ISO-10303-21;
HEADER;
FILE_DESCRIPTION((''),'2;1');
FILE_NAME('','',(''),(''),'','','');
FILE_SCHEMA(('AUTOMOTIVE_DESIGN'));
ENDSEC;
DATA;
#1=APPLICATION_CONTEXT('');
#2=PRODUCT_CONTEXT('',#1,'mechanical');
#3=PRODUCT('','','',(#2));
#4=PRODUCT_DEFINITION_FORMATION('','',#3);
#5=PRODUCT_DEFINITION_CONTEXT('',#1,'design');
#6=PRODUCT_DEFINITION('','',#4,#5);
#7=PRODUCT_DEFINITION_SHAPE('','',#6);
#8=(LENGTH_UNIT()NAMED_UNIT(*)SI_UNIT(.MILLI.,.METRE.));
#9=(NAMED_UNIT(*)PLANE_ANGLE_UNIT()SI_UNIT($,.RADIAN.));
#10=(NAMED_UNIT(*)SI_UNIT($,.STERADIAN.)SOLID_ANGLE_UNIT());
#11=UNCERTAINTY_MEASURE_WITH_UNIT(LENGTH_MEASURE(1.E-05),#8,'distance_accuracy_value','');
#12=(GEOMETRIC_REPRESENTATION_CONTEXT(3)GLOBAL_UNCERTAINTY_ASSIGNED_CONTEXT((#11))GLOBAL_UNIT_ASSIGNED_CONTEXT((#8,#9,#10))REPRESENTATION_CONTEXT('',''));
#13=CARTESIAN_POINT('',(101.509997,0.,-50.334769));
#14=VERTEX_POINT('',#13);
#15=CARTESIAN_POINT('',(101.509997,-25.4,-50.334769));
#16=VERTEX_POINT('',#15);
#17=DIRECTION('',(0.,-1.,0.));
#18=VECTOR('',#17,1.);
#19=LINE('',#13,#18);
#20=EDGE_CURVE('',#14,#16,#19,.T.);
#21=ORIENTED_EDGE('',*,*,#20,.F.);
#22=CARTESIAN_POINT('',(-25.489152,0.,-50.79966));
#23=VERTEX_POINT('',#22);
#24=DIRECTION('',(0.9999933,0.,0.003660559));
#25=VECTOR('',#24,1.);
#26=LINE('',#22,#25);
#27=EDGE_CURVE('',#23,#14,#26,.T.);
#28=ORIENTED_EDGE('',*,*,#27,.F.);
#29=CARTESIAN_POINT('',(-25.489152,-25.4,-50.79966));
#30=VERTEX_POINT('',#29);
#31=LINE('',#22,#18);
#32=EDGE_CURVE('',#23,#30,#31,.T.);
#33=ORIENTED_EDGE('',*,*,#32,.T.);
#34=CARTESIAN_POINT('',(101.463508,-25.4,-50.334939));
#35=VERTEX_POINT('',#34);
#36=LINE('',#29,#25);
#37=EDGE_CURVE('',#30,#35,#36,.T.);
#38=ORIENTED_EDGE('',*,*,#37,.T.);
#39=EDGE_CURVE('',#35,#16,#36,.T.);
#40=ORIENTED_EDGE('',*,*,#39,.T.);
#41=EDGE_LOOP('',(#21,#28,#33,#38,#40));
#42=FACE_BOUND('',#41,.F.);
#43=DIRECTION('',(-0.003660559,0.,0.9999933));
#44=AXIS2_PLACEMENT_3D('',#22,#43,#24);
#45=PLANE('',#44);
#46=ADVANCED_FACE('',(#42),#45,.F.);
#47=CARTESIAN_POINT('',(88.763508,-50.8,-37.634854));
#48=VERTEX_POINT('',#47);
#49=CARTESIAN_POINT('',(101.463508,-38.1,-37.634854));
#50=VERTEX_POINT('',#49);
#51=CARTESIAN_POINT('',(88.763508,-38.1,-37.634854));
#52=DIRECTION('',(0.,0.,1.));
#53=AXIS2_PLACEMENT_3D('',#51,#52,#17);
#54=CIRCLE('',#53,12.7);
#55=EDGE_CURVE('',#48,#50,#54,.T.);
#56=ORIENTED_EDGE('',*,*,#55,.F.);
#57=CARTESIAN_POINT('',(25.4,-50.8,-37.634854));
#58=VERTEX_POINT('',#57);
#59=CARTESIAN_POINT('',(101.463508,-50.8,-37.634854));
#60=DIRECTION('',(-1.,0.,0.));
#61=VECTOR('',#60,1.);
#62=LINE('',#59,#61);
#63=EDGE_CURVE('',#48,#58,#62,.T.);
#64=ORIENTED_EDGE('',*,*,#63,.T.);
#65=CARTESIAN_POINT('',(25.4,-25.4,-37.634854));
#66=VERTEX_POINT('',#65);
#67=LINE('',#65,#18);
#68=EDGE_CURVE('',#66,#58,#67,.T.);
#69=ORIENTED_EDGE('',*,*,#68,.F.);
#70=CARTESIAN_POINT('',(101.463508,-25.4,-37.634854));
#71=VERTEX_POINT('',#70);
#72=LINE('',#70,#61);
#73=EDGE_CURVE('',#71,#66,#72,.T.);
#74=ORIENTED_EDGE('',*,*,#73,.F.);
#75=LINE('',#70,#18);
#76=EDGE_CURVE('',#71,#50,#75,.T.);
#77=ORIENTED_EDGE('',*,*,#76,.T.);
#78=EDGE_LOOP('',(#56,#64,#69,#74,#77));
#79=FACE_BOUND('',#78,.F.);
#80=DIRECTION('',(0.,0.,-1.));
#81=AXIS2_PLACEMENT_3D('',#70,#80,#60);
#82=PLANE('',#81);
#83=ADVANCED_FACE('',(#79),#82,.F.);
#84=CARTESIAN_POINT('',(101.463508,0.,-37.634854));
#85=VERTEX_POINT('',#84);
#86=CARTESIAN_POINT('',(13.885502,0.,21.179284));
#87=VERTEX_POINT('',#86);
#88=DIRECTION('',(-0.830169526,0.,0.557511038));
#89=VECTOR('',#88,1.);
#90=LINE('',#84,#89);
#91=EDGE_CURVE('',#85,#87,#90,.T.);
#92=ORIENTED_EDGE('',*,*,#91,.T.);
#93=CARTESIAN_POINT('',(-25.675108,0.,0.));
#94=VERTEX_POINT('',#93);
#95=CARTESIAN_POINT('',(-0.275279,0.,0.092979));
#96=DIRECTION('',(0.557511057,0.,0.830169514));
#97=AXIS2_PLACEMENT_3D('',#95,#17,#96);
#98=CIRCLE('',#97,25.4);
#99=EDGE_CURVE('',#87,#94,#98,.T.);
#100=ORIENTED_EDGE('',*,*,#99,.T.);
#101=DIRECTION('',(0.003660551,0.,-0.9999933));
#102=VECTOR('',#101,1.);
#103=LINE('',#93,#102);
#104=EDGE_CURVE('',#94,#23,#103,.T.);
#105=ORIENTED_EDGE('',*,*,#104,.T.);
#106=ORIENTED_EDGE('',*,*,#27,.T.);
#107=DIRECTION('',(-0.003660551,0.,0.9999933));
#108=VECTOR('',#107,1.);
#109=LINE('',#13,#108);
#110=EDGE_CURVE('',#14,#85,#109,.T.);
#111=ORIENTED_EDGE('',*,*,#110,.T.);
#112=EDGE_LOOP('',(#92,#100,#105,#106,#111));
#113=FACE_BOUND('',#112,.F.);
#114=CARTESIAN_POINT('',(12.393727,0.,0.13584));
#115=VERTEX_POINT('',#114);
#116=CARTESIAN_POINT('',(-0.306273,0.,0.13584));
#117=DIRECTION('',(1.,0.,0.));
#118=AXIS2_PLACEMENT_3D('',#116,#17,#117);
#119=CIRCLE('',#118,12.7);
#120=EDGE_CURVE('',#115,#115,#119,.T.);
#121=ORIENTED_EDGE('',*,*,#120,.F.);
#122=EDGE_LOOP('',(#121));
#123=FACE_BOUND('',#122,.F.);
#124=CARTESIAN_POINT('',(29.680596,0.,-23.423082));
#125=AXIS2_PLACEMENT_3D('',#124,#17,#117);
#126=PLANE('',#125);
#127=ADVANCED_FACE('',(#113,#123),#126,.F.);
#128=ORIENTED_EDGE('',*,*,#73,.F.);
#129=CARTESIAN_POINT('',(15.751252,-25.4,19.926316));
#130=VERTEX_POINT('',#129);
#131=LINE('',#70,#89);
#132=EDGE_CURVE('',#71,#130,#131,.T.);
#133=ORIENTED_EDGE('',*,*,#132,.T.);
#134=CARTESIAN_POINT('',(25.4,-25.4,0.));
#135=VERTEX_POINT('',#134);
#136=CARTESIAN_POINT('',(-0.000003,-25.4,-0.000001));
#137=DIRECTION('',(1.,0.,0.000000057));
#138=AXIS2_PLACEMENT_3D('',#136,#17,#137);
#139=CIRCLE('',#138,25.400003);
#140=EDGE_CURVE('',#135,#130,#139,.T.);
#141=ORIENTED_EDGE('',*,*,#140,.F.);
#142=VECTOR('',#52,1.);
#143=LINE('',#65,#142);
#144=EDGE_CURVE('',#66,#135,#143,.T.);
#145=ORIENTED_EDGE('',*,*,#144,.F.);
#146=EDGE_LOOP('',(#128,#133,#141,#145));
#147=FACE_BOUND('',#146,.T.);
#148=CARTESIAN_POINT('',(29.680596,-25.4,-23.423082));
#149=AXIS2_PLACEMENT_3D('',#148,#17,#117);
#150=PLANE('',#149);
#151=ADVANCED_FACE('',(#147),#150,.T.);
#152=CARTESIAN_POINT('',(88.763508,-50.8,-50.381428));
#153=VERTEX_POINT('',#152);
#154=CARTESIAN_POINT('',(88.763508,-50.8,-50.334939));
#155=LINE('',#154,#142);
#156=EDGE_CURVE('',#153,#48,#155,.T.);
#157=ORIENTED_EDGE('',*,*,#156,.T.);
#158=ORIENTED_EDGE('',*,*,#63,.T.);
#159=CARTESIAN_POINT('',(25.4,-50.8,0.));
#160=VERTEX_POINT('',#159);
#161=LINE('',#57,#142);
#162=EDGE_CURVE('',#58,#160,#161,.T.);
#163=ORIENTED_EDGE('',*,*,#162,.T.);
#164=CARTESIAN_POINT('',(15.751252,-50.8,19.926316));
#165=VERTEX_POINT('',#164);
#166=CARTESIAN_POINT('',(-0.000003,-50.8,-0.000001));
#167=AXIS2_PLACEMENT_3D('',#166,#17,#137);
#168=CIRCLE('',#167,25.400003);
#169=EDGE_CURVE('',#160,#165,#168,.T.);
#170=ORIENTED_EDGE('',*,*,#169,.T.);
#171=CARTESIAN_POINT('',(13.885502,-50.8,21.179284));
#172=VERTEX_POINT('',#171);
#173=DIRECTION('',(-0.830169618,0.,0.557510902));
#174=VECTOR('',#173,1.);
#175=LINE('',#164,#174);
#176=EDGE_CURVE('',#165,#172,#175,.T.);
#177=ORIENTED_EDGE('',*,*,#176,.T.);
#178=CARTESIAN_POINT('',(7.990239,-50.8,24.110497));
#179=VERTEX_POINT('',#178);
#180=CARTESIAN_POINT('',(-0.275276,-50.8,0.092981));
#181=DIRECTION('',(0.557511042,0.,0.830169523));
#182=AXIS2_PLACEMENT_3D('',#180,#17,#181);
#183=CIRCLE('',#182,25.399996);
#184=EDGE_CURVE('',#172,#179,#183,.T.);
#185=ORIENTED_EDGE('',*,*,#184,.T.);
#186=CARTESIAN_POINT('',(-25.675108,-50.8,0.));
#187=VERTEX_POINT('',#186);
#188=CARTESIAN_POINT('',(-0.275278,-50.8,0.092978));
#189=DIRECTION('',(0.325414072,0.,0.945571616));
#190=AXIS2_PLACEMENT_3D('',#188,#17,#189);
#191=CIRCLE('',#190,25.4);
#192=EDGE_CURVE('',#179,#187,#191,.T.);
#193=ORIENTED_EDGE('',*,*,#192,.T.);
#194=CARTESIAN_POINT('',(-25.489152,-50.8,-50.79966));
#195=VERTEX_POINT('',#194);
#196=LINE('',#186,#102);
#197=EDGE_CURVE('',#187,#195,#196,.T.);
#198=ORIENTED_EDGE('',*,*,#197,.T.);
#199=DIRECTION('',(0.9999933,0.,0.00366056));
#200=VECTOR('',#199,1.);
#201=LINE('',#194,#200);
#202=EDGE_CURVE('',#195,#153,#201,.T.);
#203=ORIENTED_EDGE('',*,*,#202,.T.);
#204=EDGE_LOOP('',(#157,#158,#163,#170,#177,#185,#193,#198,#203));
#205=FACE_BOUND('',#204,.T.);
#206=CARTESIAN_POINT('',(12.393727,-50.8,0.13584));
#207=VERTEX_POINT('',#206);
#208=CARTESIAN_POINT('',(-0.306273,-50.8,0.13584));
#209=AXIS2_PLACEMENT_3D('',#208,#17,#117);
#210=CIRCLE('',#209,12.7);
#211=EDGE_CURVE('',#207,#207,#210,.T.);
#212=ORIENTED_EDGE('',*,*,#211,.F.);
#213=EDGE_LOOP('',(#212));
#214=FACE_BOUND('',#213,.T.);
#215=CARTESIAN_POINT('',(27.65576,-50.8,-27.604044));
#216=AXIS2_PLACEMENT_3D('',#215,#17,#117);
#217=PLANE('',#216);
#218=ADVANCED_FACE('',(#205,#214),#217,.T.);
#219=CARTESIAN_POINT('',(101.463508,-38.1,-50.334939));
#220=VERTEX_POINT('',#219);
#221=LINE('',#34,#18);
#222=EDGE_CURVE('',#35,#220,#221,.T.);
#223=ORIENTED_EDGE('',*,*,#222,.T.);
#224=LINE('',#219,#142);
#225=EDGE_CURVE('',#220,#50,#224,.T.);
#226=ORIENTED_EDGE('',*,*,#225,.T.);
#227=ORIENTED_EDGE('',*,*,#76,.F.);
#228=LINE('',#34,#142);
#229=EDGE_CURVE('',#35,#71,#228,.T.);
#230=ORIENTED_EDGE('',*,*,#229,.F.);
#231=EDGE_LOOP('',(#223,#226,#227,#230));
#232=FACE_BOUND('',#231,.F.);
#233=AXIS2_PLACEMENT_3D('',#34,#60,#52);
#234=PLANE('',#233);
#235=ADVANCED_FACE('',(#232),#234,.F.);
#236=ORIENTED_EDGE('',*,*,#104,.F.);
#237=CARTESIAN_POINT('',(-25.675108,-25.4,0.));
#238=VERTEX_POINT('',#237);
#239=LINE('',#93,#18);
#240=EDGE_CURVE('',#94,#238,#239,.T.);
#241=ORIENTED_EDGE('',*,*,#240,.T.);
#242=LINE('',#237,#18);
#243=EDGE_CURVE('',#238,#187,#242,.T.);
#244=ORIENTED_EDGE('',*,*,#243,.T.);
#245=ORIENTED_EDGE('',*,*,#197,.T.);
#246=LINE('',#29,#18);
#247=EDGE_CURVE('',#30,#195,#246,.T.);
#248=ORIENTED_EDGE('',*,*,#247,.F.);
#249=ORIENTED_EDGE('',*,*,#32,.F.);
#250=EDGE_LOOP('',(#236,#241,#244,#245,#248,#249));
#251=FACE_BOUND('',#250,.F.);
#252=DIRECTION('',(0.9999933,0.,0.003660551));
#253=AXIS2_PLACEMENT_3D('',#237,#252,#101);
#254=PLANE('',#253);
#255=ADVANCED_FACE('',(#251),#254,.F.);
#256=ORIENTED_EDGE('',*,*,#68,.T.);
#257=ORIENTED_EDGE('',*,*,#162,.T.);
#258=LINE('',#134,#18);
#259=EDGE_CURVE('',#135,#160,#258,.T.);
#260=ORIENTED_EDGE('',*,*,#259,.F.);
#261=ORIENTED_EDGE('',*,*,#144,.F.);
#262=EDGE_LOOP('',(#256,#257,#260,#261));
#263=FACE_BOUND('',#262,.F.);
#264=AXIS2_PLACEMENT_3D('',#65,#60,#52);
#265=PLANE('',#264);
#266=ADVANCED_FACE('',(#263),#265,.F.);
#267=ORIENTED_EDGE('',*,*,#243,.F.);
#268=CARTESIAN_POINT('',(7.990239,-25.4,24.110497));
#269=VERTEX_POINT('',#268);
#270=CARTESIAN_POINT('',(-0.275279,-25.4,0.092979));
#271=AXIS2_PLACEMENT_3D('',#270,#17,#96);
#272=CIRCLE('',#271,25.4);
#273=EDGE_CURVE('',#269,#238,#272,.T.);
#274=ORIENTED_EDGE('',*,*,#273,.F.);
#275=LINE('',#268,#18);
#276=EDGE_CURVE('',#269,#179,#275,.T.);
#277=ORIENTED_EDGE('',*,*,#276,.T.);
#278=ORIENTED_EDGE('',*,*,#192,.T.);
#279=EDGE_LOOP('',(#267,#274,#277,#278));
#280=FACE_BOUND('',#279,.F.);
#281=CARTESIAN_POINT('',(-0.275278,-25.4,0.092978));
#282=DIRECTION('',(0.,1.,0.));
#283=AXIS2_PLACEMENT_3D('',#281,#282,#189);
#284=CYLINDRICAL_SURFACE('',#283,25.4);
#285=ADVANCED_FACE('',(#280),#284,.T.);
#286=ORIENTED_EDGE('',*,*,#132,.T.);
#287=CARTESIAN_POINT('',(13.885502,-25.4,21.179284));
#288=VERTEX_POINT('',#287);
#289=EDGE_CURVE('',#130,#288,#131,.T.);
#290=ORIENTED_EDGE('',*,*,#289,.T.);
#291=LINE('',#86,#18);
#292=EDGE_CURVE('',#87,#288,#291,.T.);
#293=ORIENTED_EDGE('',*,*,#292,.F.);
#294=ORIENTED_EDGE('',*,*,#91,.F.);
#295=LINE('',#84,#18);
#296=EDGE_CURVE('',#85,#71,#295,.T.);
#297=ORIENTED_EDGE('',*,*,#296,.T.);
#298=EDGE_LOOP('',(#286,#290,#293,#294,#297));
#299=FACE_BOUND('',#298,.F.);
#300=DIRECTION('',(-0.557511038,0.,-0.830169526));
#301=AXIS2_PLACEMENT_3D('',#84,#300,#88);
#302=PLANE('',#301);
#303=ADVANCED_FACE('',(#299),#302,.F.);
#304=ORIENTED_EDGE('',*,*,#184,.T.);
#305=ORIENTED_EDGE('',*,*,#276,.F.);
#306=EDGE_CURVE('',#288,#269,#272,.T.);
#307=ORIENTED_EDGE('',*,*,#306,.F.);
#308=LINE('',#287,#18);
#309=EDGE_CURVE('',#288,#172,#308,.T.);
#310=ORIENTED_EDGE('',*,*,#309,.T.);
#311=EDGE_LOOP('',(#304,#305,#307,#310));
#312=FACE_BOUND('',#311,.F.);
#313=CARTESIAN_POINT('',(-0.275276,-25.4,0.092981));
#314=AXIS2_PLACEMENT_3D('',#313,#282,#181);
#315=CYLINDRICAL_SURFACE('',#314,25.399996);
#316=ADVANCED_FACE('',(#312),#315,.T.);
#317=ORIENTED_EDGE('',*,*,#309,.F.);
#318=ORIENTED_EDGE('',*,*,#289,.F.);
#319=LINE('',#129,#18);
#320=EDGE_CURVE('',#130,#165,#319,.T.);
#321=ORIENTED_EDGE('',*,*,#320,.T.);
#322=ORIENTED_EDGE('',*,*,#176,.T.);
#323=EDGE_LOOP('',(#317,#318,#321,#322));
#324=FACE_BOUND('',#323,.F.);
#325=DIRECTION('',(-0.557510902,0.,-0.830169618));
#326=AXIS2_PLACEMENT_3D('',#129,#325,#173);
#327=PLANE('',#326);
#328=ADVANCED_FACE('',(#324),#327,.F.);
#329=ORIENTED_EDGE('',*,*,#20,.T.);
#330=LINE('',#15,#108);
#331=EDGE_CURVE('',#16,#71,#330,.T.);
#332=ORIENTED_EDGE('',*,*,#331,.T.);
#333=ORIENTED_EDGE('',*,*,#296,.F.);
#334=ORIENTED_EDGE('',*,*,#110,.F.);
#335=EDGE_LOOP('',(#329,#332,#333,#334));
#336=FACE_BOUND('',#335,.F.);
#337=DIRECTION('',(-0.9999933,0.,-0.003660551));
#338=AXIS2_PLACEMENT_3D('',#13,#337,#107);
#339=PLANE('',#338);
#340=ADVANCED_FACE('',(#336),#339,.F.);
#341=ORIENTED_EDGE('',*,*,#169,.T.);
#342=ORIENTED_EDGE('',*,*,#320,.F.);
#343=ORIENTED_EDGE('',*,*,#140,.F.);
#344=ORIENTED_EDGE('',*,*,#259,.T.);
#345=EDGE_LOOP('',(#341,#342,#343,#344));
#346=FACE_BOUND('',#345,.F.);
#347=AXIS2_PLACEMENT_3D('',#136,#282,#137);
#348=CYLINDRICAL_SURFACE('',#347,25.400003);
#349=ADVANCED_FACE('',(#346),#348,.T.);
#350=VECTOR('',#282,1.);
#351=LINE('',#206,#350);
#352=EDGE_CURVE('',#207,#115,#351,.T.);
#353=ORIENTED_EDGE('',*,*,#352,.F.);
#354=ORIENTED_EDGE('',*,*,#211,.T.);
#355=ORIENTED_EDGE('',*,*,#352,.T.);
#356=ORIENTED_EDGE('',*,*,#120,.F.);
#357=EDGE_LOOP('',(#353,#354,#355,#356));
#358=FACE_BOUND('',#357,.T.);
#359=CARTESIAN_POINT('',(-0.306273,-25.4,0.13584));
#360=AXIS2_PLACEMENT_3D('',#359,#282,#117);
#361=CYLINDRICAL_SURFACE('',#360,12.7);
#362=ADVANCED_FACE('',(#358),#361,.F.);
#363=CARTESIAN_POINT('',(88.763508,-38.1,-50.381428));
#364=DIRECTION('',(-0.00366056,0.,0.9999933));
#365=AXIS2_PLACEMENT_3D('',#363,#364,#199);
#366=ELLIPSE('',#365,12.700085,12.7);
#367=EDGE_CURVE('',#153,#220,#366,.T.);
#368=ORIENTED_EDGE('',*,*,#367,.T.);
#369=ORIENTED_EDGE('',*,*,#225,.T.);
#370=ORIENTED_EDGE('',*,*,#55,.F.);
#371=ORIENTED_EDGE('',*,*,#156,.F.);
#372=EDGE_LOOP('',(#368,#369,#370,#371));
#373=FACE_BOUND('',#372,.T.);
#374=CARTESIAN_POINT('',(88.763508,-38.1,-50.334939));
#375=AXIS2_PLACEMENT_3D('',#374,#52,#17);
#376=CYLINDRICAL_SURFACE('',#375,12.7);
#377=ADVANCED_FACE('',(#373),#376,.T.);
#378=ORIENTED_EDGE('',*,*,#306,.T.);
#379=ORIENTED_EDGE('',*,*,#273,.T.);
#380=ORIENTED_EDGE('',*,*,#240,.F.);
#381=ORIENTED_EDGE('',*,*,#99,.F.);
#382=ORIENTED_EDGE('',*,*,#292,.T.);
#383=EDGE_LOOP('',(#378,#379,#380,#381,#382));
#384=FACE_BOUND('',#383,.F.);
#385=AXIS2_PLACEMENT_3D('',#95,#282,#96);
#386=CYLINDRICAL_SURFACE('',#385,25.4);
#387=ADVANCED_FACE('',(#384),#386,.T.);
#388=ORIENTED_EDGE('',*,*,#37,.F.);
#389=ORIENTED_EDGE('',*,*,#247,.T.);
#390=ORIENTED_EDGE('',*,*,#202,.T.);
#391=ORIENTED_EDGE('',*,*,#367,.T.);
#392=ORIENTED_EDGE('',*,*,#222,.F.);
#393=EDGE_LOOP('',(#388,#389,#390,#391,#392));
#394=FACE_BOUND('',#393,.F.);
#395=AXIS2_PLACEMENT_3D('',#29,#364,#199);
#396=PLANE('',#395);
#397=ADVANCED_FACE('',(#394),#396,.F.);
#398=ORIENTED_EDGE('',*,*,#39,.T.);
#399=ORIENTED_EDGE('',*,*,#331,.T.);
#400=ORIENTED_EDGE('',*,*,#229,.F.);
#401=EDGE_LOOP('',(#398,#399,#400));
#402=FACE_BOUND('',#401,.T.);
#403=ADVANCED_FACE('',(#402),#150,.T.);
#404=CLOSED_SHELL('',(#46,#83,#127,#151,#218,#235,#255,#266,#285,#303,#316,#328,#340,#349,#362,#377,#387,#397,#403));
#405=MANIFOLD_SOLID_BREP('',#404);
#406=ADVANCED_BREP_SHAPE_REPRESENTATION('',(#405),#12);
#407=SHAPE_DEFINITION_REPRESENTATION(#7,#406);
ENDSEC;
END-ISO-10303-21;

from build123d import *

# Parameters (mm, degrees)
F0_R     = 12.7
F1_DEPTH = 25.4
F2_R     = 12.7
F3_DEPTH = 25.4
F4_DEPTH = 25.4
F5_R     = 12.7


with BuildPart() as f1:
    # F0 (on Front) → F1 (new body)
    with BuildSketch(Plane.XZ):
        with BuildLine():
            Line((101.463508, -37.634854), (13.885502, 21.179284))
            ThreePointArc((13.885502, 21.179284), (-12.263588, 22.485844), (-25.675108, 0))
            Line((-25.675108, 0), (-25.489152, -50.79966))
            Line((-25.489152, -50.79966), (101.509997, -50.334769))
            Line((101.509997, -50.334769), (101.463508, -37.634854))
        make_face()
        with Locations((-0.306273, 0.13584)):
            Circle(F0_R, mode=Mode.SUBTRACT)
    extrude(amount=F1_DEPTH)

    # F2 (on face) → F3 (join)
    with BuildSketch(Plane.XZ.offset(25.4)):
        with BuildLine():
            Line((25.4, -37.634854), (25.4, 0))
            ThreePointArc((25.4, 0), (22.860903, 11.069738), (15.751252, 19.926316))
            Line((15.751252, 19.926316), (13.885502, 21.179284))
            ThreePointArc((13.885502, 21.179284), (11.033245, 22.836709), (7.990239, 24.110497))
            ThreePointArc((7.990239, 24.110497), (-15.064639, 20.743276), (-25.675108, 0))
            Line((-25.675108, 0), (-25.535641, -38.099745))
            Line((-25.535641, -38.099745), (-25.489152, -50.79966))
            Line((-25.489152, -50.79966), (101.463508, -50.334939))
            Line((101.463508, -50.334939), (101.463508, -37.634854))
            Line((101.463508, -37.634854), (25.4, -37.634854))
        make_face()
        with Locations((-0.306273, 0.13584)):
            Circle(F2_R, mode=Mode.SUBTRACT)
    extrude(amount=F3_DEPTH)

    # F2 (on face) → F4 (join)
    with BuildSketch(Plane.XZ.offset(25.4)):
        with BuildLine():
            Line((25.4, -37.634854), (25.4, 0))
            ThreePointArc((25.4, 0), (22.860903, 11.069738), (15.751252, 19.926316))
            Line((15.751252, 19.926316), (13.885502, 21.179284))
            ThreePointArc((13.885502, 21.179284), (11.033245, 22.836709), (7.990239, 24.110497))
            ThreePointArc((7.990239, 24.110497), (-15.064639, 20.743276), (-25.675108, 0))
            Line((-25.675108, 0), (-25.535641, -38.099745))
            Line((-25.535641, -38.099745), (-25.489152, -50.79966))
            Line((-25.489152, -50.79966), (101.463508, -50.334939))
            Line((101.463508, -50.334939), (101.463508, -37.634854))
            Line((101.463508, -37.634854), (25.4, -37.634854))
        make_face()
        with Locations((-0.306273, 0.13584)):
            Circle(F2_R, mode=Mode.SUBTRACT)
    extrude(amount=F4_DEPTH)

    # F5
    f5_edges = [f1.edges().sort_by_distance(p)[0] for p in [
        (101.463508, -50.8, -43.984897),
    ]]
    fillet(f5_edges, radius=F5_R)


solid = f1.part
